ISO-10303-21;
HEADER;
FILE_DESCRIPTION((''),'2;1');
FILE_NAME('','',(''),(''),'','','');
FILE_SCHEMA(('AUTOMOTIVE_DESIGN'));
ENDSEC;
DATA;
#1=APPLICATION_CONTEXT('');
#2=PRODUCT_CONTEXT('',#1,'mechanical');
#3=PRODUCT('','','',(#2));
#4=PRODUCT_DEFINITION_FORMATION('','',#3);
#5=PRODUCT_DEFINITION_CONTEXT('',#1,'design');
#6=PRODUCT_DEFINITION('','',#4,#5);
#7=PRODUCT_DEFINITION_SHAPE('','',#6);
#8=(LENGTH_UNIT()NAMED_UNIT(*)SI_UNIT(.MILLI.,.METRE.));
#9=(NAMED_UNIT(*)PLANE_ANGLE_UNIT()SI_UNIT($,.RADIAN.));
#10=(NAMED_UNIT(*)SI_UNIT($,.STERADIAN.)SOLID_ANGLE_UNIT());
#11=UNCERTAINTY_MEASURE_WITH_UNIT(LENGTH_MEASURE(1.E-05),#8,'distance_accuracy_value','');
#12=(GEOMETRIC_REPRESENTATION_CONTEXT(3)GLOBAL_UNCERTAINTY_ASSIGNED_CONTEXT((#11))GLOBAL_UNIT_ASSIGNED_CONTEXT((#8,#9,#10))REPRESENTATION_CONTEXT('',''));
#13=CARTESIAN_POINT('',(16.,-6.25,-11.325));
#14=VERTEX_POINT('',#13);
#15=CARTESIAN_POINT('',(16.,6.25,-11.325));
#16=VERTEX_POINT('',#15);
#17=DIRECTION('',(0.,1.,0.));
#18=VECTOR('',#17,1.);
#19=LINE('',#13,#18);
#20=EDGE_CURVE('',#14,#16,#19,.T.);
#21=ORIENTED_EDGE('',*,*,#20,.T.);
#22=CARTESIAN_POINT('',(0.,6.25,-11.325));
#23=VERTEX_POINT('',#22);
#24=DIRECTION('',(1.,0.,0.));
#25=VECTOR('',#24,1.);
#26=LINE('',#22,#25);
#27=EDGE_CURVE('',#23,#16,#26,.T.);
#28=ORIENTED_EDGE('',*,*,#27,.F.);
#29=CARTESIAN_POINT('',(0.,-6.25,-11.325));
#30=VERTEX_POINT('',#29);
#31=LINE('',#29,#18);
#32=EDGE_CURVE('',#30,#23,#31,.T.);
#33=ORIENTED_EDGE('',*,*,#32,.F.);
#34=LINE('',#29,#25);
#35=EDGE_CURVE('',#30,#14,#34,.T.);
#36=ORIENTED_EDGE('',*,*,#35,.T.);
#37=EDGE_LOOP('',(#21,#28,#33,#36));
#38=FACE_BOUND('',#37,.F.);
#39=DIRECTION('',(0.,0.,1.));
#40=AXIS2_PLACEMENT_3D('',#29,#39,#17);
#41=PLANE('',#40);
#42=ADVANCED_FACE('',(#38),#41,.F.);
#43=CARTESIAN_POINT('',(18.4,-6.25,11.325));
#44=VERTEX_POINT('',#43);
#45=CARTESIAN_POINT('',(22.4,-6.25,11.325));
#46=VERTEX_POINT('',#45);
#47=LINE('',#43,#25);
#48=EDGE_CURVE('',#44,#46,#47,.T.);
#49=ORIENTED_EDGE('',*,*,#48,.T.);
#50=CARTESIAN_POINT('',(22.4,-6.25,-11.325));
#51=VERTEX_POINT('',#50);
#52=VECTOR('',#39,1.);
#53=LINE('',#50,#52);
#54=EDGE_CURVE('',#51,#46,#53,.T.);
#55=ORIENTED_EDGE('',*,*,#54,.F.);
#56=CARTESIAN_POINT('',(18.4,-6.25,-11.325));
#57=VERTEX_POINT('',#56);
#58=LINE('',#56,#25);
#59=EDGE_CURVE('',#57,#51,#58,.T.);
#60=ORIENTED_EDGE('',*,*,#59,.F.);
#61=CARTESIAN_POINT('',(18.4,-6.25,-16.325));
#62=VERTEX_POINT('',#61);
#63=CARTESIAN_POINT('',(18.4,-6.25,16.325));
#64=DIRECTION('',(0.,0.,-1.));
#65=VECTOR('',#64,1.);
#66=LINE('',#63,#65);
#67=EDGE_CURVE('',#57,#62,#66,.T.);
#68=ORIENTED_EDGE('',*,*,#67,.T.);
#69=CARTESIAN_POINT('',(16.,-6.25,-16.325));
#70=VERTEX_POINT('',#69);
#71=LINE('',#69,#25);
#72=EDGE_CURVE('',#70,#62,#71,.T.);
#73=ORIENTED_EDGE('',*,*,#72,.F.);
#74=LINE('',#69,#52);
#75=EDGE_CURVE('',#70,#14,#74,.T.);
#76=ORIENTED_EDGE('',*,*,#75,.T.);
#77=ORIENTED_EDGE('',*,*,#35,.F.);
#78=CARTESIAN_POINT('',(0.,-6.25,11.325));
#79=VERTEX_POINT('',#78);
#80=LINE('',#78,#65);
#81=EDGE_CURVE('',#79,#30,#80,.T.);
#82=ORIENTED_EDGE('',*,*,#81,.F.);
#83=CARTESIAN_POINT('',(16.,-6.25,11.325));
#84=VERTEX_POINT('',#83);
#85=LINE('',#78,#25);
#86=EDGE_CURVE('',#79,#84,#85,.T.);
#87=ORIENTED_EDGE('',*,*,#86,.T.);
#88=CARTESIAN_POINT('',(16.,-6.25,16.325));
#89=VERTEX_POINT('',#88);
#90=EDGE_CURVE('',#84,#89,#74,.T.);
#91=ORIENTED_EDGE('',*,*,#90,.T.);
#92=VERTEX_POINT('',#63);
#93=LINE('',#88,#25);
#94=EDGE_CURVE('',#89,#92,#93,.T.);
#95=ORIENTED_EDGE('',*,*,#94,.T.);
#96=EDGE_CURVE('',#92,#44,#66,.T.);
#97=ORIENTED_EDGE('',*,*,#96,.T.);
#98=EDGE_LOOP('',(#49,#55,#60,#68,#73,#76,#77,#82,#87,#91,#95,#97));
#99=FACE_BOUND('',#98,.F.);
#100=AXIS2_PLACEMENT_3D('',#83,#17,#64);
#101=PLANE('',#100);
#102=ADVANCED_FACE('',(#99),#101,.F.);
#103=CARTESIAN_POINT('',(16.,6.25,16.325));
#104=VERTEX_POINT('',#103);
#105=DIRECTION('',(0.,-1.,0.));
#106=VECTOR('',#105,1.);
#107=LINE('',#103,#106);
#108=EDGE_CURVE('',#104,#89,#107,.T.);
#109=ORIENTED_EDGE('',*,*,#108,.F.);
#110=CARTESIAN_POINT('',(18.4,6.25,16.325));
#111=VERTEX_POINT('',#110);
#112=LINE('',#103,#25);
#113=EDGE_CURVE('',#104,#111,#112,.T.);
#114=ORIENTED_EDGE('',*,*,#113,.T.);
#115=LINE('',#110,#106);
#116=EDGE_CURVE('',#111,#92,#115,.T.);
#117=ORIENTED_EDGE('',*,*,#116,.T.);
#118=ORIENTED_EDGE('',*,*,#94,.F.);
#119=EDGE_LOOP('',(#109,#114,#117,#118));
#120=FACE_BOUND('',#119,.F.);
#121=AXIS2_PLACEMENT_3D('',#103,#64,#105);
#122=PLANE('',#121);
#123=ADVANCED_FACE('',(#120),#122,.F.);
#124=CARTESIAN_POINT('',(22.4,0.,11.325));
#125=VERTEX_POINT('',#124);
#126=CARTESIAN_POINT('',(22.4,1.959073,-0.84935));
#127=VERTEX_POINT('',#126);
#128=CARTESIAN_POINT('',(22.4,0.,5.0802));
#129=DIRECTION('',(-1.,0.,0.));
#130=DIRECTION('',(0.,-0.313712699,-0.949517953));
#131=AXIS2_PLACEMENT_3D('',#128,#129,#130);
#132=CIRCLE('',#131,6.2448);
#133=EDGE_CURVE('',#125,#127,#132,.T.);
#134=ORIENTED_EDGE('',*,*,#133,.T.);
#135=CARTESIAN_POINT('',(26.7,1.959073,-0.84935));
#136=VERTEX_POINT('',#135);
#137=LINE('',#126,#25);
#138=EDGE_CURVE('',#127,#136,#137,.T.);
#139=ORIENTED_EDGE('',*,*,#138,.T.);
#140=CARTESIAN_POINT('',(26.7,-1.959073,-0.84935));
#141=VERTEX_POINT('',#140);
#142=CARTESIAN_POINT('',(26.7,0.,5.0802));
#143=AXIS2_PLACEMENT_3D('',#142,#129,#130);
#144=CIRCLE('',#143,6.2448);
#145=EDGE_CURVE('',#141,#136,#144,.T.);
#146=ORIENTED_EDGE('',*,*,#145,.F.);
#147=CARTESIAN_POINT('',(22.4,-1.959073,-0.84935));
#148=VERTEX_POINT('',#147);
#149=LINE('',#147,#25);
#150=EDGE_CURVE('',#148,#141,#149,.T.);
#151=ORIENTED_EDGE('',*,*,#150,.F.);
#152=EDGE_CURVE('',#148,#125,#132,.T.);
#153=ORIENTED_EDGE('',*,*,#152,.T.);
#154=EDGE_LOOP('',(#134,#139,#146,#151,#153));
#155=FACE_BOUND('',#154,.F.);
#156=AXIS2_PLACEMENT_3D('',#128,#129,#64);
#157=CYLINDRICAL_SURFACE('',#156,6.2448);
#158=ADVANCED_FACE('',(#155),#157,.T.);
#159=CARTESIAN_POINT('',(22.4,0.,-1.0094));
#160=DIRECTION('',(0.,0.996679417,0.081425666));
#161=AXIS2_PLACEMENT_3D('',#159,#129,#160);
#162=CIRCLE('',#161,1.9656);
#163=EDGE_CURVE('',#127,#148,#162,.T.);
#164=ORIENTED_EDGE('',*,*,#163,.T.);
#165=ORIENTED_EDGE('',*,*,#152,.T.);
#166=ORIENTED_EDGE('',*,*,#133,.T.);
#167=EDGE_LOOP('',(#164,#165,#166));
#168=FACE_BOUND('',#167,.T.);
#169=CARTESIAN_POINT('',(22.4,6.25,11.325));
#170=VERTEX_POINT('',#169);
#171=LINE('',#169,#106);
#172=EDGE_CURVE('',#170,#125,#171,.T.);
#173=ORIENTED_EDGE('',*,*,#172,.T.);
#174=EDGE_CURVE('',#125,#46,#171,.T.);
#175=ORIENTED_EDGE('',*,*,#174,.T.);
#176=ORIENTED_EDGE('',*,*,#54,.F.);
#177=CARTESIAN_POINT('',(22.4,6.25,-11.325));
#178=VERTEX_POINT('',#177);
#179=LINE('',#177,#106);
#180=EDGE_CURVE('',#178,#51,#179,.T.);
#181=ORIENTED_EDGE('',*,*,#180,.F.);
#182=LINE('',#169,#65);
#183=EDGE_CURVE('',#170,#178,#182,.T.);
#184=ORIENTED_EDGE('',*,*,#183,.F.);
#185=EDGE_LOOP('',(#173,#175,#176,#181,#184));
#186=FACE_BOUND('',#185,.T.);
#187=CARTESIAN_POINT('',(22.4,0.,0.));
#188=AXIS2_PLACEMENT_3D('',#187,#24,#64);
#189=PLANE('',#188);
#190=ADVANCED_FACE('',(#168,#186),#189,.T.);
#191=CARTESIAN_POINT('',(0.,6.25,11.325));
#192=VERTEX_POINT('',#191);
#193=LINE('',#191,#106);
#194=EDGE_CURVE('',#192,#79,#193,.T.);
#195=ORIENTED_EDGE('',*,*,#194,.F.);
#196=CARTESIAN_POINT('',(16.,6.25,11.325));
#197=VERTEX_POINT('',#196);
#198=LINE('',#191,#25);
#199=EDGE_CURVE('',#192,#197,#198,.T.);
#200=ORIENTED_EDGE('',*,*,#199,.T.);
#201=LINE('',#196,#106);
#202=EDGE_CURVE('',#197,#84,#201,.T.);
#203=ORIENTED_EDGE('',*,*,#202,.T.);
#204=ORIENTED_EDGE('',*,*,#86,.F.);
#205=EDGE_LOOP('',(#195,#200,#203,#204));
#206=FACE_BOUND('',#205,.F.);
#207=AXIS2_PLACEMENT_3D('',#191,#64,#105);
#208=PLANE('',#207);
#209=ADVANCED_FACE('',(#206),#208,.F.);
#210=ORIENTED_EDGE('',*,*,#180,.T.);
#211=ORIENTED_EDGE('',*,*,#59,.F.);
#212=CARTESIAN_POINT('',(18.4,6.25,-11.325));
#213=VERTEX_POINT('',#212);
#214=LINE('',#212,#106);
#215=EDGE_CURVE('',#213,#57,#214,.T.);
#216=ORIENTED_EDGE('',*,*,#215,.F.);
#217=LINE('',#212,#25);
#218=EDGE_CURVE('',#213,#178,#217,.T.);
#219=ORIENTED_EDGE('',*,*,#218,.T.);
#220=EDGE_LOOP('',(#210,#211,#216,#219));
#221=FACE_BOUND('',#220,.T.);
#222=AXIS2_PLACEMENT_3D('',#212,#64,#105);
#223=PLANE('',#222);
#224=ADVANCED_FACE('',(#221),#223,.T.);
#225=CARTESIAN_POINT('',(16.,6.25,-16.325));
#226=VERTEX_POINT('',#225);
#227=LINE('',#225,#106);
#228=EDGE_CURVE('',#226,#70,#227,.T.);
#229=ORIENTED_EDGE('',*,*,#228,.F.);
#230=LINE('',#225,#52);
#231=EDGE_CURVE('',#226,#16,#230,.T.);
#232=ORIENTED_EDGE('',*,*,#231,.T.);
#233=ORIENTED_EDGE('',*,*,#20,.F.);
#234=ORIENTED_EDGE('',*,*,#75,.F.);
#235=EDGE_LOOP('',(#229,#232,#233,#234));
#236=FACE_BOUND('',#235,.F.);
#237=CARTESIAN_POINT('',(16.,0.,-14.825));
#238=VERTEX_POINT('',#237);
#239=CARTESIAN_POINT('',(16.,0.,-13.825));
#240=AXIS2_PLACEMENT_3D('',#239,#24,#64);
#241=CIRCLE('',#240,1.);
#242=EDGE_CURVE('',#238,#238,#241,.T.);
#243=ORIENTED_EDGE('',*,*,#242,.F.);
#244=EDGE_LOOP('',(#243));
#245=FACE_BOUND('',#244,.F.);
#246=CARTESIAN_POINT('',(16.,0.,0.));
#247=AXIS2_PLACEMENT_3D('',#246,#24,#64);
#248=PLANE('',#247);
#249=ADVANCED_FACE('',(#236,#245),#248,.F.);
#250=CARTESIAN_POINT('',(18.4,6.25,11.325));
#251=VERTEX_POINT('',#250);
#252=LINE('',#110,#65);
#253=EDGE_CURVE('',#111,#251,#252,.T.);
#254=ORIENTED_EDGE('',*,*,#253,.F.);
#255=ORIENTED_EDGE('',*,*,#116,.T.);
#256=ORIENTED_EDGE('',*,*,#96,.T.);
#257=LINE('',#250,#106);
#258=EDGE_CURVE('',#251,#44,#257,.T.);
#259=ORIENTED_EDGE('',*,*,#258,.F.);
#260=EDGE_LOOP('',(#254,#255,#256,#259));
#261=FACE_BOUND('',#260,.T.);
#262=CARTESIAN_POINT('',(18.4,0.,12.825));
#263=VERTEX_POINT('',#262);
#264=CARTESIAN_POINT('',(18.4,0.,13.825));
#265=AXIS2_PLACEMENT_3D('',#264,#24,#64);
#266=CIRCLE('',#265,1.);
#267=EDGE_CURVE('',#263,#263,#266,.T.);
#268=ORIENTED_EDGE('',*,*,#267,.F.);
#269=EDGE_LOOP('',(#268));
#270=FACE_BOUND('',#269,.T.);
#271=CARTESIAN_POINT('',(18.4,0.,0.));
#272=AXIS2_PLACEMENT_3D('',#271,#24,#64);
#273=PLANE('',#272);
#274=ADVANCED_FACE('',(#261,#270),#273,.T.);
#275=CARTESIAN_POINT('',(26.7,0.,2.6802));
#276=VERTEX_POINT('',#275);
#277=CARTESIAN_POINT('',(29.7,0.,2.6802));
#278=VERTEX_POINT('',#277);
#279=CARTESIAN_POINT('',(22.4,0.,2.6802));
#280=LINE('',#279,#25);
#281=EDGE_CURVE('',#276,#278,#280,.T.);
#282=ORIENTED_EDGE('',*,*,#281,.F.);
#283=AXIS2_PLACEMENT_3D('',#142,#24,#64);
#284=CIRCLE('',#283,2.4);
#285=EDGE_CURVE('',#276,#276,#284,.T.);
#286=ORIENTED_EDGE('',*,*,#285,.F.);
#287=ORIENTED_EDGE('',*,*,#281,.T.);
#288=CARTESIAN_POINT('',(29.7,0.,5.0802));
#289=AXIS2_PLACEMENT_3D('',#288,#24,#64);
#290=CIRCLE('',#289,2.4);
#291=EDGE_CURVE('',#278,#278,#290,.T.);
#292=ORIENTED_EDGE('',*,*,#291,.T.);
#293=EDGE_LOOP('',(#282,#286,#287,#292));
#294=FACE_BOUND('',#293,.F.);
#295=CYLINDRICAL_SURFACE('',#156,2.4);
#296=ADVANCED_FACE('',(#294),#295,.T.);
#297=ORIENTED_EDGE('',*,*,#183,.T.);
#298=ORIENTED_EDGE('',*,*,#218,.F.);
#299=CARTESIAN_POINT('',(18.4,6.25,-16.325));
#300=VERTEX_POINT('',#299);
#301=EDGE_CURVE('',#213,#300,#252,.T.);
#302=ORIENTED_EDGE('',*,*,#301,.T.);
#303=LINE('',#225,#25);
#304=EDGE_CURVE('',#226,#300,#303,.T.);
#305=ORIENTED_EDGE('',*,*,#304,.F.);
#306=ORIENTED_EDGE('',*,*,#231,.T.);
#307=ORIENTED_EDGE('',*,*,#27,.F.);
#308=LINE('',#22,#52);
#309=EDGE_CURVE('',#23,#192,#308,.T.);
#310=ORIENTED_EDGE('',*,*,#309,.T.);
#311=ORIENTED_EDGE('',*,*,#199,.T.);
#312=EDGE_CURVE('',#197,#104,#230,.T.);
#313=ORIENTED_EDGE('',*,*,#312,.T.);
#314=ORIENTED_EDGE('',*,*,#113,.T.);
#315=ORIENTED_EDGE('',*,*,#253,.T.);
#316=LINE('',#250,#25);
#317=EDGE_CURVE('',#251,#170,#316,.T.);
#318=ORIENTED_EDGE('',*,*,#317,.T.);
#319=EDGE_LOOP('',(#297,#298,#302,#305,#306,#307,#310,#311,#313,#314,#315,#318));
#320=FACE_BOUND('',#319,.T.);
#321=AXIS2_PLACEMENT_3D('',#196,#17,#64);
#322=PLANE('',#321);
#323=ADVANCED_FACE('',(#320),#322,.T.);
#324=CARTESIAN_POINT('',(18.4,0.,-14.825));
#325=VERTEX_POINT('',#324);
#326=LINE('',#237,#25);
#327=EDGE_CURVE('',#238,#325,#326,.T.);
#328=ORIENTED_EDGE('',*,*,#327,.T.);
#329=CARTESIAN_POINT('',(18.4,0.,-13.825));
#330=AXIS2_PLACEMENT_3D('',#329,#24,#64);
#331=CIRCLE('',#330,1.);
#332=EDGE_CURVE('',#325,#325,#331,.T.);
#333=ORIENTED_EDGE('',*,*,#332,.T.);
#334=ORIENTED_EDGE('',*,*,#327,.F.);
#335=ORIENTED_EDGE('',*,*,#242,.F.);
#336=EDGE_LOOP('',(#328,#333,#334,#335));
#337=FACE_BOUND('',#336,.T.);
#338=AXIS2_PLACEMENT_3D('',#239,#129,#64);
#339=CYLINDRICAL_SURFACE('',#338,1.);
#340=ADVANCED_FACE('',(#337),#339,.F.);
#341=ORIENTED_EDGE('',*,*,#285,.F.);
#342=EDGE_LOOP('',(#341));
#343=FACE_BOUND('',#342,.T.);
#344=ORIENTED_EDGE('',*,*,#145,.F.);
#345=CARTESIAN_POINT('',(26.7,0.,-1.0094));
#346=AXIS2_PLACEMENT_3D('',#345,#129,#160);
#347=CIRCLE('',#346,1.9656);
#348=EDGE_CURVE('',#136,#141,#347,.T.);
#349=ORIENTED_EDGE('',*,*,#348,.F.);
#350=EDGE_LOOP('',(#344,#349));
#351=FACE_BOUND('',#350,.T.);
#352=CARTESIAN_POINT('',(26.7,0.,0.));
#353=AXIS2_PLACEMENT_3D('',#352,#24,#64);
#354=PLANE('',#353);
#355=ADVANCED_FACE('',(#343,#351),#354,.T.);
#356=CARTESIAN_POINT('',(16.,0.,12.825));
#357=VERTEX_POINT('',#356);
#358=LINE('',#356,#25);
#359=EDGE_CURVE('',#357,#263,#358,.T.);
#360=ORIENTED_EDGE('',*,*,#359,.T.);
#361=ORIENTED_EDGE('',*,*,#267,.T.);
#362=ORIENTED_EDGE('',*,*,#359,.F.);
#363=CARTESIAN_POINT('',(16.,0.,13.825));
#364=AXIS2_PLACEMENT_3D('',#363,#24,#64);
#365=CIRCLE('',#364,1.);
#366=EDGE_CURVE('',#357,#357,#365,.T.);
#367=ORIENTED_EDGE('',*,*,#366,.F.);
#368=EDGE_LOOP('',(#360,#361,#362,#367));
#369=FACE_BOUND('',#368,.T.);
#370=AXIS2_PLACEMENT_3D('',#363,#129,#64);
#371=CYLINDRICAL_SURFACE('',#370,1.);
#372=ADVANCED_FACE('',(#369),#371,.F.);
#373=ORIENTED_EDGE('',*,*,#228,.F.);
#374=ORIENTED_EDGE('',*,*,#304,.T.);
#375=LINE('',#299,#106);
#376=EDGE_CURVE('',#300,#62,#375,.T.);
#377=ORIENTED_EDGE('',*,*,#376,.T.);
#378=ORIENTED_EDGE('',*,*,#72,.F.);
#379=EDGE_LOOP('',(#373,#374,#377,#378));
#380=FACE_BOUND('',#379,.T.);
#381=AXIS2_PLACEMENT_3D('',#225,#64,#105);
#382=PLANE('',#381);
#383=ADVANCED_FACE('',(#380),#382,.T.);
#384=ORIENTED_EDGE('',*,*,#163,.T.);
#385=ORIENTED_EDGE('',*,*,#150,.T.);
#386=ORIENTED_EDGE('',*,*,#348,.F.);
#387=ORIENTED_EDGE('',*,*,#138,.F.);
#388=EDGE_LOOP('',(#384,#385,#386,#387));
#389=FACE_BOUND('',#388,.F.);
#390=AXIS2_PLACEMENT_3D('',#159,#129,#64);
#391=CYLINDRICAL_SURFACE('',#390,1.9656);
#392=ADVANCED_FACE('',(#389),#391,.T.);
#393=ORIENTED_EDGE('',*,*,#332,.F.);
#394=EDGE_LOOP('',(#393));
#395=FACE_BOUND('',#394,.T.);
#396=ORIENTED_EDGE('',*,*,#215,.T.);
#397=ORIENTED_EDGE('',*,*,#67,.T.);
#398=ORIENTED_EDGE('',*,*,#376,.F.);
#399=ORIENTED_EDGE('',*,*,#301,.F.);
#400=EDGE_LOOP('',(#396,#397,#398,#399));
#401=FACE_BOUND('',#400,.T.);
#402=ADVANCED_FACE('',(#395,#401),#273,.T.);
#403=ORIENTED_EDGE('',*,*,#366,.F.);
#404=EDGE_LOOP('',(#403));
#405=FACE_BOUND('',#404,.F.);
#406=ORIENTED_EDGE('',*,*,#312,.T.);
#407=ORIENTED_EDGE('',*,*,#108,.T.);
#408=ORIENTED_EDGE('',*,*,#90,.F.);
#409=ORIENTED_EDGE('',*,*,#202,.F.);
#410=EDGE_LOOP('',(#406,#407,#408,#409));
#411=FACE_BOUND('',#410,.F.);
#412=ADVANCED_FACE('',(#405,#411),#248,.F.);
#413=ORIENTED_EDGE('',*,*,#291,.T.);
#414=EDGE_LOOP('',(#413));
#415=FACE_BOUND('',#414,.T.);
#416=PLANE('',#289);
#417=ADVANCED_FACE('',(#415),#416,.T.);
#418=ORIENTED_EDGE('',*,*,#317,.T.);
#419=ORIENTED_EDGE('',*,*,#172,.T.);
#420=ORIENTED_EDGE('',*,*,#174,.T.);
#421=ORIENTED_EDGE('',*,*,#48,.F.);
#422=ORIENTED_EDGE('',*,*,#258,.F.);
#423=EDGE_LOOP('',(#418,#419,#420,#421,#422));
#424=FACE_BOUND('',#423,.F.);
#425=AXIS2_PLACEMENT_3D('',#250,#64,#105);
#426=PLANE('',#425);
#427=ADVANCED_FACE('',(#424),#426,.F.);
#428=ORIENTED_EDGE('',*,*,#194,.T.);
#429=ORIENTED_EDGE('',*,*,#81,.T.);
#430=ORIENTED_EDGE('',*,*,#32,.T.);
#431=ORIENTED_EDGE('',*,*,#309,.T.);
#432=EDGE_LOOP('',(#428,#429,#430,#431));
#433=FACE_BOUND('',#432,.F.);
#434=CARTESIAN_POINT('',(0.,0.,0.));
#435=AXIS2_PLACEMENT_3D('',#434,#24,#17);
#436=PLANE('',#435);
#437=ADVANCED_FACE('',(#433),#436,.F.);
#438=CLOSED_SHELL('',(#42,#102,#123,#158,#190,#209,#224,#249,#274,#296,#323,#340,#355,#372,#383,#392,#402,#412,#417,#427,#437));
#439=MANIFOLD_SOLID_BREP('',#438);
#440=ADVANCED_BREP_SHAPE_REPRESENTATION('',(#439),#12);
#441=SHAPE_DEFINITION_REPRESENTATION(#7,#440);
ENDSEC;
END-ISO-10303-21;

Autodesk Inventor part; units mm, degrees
ref_plane "YZ Plane" through (0, 0, 0) normal (1, 0, 0) x (0, 1, 0)
ref_plane "XZ Plane" through (0, 0, 0) normal (0, 1, 0) x (-1, 0, 0)
ref_plane "XY Plane" through (0, 0, 0) normal (0, 0, 1) x (1, 0, 0)
sketch "スケッチ1" plane through (0, 0, 0) normal (1, 0, 0) x (0, 1, 0)
  line L0 (6.25, 11.325) -> (-6.25, 11.325)
  line L1 (-6.25, 11.325) -> (-6.25, -11.325)
  line L2 (-6.25, -11.325) -> (6.25, -11.325)
  line L3 (6.25, -11.325) -> (6.25, 11.325)
  point P0 (0, 0)
  dimension "d0" = 22.65
  dimension "d1" = 12.5
  dimension "d4" = 6.25
  dimension "d5" = 6.25
  dimension "d6" = 11.325
  dimension "d7" = 11.325
extrude "押し出し1" add sketch "スケッチ1" along normal blind 16
sketch "スケッチ2" plane through (16, 0, 0) normal (1, 0, 0) x (0, 0, -1)
  line L0 (-11.325, 6.25) -> (-11.325, -6.25) projected
  line L1 (-11.325, 6.25) -> (-16.325, 6.25)
  line L2 (-16.325, 6.25) -> (-16.325, -6.25)
  line L3 (-16.325, -6.25) -> (-11.325, -6.25)
  line L4 (-11.325, -6.25) -> (-11.325, 6.25)
  line L5 (11.325, -6.25) -> (11.325, 6.25) projected
  line L6 (11.325, 6.25) -> (16.325, 6.25)
  line L7 (16.325, 6.25) -> (16.325, -6.25)
  line L8 (16.325, -6.25) -> (11.325, -6.25)
  line L9 (11.325, -6.25) -> (11.325, 6.25)
  circle A0 centre (-13.825, 0) radius 1
  circle A1 centre (13.825, 0) radius 1
  line L10 (-11.325, -6.25) -> (11.325, -6.25) projected
  line L11 (-11.325, 6.25) -> (11.325, 6.25)
  line L12 (11.325, 6.25) -> (11.325, -6.25)
  line L13 (11.325, -6.25) -> (-11.325, -6.25)
  line L14 (-11.325, -6.25) -> (-11.325, 6.25)
  point P0 (0, 0)
  dimension "d8" = 5
  dimension "d9" = 5
  dimension "d10" = 1.5
  dimension "d11" = 1.5
  dimension "d12" = 2
  dimension "d13" = 2
extrude "押し出し2" add sketch "スケッチ2" along normal blind 2.4
sketch "スケッチ3" plane through (18.4, 0, 0) normal (1, 0, 0) x (0, 0, -1)
  line L0 (-11.325, 6.25) -> (-11.325, -6.25) projected
  line L1 (11.325, -6.25) -> (16.325, -6.25) projected
  line L2 (-11.325, 6.25) -> (11.325, 6.25)
  line L3 (11.325, 6.25) -> (11.325, -6.25)
  line L4 (11.325, -6.25) -> (-11.325, -6.25)
  line L5 (-11.325, -6.25) -> (-11.325, 6.25)
  point P0 (0, 0)
extrude "押し出し3" add sketch "スケッチ3" along normal blind 4
sketch "スケッチ4" plane through (22.4, 0, 0) normal (1, 0, 0) x (0, 0, -1)
  circle A0 centre (-5.0802, 0) radius 6.2448
  line L0 (-11.325, 6.25) -> (-11.325, -6.25) projected
  circle A1 centre (1.0094, 0) radius 1.9656
  circle A2 centre (-5.0802, 0) radius 2.4
  point P0 (0, 0)
  dimension "d18" = 0
  dimension "d19" = 12.4895
  dimension "d20" = 3.9311
  dimension "d21" = 14.3
  dimension "d22" = 4.8
extrude "押し出し4" add sketch "スケッチ4" along normal blind 4.3
sketch "スケッチ5" plane through (22.4, 0, 5.0802) normal (1, 0, 0) x (0, 0, -1)
  circle A0 centre (0, 0) radius 2.4
  point P0 (5.0802, 0)
extrude "押し出し5" add sketch "スケッチ5" along normal blind 7.3
properties part number "microservo"
